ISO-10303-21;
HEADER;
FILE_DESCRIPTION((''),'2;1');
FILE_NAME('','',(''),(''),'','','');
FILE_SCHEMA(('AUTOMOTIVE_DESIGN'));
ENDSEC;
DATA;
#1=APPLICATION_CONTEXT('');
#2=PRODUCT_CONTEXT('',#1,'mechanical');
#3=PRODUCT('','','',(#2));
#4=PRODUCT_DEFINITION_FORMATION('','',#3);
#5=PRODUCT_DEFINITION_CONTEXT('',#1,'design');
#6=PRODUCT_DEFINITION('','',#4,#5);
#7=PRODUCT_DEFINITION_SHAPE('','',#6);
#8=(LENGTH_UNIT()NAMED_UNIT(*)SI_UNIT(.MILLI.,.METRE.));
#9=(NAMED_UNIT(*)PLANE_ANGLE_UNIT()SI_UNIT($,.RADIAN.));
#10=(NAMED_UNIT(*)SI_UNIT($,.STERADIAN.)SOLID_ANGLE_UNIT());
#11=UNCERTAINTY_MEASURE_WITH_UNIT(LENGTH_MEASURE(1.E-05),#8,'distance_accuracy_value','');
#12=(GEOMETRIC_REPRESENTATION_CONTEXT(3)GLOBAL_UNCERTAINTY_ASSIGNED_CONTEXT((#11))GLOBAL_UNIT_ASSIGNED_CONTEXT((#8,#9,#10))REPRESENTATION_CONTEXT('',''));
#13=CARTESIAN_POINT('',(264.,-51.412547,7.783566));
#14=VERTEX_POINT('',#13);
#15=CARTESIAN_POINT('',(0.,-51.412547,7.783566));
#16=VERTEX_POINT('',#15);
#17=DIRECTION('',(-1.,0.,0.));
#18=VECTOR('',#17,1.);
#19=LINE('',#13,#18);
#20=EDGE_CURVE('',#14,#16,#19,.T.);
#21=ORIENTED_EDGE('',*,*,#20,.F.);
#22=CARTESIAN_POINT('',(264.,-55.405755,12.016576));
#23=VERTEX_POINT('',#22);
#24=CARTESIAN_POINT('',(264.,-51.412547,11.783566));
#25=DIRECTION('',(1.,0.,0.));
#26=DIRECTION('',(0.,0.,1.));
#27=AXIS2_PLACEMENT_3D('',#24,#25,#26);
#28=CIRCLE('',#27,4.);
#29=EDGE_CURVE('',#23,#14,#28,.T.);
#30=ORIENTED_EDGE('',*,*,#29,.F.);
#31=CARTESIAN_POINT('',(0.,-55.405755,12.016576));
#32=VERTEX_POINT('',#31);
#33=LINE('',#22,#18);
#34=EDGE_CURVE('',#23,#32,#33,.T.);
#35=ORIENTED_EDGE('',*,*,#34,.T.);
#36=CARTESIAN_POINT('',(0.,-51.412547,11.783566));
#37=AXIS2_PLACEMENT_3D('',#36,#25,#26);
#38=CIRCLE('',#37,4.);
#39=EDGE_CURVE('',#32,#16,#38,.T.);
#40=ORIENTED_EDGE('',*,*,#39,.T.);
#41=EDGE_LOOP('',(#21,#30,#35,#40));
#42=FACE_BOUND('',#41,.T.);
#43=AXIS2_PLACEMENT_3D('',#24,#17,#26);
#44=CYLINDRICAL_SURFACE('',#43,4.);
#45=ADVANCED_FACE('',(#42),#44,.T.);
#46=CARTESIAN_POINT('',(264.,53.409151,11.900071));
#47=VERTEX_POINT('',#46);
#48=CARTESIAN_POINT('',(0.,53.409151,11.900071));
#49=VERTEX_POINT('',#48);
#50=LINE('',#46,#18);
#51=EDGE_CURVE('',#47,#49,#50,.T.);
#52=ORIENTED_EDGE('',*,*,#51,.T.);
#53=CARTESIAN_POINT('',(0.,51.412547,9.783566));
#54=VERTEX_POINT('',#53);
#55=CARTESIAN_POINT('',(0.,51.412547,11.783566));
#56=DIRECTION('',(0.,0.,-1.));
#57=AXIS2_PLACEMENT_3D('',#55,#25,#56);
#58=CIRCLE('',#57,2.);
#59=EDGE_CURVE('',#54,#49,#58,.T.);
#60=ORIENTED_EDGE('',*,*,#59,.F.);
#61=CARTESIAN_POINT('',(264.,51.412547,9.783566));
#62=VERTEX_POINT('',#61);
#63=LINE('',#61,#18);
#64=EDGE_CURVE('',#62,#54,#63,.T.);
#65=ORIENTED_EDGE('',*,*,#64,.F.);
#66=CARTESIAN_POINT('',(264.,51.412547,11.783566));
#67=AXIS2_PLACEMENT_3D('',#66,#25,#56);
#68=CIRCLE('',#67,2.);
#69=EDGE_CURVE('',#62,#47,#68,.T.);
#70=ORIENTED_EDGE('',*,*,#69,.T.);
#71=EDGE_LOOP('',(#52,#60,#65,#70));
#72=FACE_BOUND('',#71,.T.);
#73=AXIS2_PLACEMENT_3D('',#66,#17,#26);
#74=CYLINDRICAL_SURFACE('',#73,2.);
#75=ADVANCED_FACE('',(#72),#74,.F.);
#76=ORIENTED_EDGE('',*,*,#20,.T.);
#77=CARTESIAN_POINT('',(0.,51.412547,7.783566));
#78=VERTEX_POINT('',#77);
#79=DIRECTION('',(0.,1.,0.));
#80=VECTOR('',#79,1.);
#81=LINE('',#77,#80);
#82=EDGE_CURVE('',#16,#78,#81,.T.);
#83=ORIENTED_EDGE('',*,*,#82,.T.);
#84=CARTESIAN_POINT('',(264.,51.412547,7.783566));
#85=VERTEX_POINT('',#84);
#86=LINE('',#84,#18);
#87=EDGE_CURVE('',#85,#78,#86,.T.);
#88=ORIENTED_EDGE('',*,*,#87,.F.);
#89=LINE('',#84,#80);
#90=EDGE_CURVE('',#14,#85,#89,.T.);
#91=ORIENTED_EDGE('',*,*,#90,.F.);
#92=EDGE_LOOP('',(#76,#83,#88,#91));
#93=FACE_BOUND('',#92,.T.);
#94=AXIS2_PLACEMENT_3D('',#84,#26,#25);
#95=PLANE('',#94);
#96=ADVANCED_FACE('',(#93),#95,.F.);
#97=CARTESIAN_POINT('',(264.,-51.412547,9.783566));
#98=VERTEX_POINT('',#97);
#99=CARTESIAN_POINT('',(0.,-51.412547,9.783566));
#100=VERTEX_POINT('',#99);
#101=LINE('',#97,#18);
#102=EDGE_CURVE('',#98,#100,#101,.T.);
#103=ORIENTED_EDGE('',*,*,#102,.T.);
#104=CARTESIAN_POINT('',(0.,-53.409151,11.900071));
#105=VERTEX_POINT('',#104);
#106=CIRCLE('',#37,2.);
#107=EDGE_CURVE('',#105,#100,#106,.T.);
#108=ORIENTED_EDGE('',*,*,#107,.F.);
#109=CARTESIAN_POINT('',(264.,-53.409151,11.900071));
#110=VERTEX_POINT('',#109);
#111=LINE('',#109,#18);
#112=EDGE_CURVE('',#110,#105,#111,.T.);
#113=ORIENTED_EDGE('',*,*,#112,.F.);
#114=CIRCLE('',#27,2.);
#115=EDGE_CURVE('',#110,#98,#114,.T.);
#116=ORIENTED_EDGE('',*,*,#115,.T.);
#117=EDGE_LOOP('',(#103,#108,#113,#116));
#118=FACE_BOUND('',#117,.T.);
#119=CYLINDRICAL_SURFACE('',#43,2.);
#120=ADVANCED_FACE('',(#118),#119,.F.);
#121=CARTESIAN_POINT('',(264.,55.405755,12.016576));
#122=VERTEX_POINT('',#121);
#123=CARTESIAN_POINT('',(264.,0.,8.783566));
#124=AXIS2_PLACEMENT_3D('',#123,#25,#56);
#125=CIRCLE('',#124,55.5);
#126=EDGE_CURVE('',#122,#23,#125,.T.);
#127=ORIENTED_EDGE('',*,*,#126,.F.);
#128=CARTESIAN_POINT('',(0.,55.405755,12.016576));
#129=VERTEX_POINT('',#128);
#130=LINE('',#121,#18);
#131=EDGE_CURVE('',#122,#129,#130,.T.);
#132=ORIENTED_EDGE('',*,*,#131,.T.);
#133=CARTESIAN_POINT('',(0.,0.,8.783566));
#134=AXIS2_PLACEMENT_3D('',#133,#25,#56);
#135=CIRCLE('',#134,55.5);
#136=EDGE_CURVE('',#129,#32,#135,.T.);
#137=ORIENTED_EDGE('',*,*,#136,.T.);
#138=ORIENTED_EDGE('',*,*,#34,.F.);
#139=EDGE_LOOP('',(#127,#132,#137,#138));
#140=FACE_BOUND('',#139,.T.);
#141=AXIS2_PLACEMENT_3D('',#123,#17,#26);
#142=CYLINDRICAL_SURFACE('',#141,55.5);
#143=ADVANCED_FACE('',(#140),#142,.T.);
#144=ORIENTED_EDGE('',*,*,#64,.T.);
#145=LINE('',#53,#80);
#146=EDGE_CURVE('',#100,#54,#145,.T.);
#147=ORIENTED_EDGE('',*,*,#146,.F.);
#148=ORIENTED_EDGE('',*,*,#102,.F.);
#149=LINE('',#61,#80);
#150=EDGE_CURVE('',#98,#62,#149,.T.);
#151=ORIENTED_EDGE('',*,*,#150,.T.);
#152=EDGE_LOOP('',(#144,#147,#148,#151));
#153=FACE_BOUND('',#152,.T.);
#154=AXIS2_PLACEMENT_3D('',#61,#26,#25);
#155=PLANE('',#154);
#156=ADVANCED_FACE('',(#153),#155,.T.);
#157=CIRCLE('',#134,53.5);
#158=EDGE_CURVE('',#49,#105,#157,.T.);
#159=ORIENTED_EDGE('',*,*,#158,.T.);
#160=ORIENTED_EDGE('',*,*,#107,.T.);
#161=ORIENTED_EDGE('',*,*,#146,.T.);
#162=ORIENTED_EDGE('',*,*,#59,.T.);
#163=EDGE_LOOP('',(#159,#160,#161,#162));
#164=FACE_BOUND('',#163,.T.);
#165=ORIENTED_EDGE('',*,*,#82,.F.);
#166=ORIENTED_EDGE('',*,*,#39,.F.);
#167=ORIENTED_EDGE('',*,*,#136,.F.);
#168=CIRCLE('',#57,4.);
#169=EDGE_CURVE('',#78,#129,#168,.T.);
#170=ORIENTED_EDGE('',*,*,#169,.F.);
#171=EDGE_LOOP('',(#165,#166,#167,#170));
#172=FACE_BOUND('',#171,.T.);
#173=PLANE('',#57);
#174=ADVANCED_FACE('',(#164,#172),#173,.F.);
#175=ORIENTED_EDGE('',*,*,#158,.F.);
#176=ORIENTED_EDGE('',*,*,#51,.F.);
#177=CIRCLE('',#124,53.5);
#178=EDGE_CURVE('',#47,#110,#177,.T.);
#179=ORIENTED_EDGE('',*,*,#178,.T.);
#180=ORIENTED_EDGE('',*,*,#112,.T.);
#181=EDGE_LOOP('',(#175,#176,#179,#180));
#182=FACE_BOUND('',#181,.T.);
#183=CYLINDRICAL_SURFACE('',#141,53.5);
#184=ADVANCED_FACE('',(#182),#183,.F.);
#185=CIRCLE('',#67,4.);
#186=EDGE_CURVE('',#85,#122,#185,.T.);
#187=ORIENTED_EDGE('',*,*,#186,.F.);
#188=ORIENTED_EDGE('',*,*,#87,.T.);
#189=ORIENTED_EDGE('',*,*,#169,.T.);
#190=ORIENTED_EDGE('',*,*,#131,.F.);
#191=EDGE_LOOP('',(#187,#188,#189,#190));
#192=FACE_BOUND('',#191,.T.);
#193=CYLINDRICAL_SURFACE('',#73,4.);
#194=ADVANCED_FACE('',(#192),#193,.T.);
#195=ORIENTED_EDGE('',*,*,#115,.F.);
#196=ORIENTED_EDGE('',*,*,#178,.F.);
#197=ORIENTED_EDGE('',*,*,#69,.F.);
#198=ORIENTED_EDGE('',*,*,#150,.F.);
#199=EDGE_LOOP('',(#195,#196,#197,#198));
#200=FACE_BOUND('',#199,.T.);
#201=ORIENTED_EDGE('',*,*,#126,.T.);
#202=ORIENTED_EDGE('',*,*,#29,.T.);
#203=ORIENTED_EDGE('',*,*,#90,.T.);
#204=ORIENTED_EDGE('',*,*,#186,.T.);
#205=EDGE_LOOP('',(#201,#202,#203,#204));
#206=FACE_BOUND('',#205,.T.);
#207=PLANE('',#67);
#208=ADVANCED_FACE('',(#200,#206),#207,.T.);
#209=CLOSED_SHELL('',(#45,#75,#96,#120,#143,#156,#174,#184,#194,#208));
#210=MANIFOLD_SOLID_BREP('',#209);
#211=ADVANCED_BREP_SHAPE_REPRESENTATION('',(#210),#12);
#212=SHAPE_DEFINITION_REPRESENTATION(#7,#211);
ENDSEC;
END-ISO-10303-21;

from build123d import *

# Parameters (mm, degrees)
BOSS_EXTRUDE1_DEPTH = 264


with BuildPart() as part:
    # Sketch1 → Boss-Extrude1 (new body)
    with BuildSketch(Plane(origin=(0, 0, 0), x_dir=(0, 0, -1), z_dir=(1, 0, 0))):
        with BuildLine():
            Line((-7.783565859, 51.412547107), (-7.783565859, -51.412547107))
            ThreePointArc((-7.783565859, -51.412547107), (-9.038756106, -54.322189596), (-12.016575568, -55.405754649))
            ThreePointArc((-12.016575568, -55.405754649), (-64.283565859, 0), (-12.016575568, 55.405754649))
            ThreePointArc((-12.016575568, 55.405754649), (-9.038756106, 54.322189596), (-7.783565859, 51.412547107))
        make_face()
        with BuildLine():
            Line((-9.783565859, 51.412547107), (-9.783565859, -51.412547107))
            ThreePointArc((-9.783565859, -51.412547107), (-10.411160983, -52.867368352), (-11.900070714, -53.409150878))
            ThreePointArc((-11.900070714, -53.409150878), (-62.283565859, 0), (-11.900070714, 53.409150878))
            ThreePointArc((-11.900070714, 53.409150878), (-10.411160983, 52.867368352), (-9.783565859, 51.412547107))
        make_face(mode=Mode.SUBTRACT)
    extrude(amount=BOSS_EXTRUDE1_DEPTH)


solid = part.part
